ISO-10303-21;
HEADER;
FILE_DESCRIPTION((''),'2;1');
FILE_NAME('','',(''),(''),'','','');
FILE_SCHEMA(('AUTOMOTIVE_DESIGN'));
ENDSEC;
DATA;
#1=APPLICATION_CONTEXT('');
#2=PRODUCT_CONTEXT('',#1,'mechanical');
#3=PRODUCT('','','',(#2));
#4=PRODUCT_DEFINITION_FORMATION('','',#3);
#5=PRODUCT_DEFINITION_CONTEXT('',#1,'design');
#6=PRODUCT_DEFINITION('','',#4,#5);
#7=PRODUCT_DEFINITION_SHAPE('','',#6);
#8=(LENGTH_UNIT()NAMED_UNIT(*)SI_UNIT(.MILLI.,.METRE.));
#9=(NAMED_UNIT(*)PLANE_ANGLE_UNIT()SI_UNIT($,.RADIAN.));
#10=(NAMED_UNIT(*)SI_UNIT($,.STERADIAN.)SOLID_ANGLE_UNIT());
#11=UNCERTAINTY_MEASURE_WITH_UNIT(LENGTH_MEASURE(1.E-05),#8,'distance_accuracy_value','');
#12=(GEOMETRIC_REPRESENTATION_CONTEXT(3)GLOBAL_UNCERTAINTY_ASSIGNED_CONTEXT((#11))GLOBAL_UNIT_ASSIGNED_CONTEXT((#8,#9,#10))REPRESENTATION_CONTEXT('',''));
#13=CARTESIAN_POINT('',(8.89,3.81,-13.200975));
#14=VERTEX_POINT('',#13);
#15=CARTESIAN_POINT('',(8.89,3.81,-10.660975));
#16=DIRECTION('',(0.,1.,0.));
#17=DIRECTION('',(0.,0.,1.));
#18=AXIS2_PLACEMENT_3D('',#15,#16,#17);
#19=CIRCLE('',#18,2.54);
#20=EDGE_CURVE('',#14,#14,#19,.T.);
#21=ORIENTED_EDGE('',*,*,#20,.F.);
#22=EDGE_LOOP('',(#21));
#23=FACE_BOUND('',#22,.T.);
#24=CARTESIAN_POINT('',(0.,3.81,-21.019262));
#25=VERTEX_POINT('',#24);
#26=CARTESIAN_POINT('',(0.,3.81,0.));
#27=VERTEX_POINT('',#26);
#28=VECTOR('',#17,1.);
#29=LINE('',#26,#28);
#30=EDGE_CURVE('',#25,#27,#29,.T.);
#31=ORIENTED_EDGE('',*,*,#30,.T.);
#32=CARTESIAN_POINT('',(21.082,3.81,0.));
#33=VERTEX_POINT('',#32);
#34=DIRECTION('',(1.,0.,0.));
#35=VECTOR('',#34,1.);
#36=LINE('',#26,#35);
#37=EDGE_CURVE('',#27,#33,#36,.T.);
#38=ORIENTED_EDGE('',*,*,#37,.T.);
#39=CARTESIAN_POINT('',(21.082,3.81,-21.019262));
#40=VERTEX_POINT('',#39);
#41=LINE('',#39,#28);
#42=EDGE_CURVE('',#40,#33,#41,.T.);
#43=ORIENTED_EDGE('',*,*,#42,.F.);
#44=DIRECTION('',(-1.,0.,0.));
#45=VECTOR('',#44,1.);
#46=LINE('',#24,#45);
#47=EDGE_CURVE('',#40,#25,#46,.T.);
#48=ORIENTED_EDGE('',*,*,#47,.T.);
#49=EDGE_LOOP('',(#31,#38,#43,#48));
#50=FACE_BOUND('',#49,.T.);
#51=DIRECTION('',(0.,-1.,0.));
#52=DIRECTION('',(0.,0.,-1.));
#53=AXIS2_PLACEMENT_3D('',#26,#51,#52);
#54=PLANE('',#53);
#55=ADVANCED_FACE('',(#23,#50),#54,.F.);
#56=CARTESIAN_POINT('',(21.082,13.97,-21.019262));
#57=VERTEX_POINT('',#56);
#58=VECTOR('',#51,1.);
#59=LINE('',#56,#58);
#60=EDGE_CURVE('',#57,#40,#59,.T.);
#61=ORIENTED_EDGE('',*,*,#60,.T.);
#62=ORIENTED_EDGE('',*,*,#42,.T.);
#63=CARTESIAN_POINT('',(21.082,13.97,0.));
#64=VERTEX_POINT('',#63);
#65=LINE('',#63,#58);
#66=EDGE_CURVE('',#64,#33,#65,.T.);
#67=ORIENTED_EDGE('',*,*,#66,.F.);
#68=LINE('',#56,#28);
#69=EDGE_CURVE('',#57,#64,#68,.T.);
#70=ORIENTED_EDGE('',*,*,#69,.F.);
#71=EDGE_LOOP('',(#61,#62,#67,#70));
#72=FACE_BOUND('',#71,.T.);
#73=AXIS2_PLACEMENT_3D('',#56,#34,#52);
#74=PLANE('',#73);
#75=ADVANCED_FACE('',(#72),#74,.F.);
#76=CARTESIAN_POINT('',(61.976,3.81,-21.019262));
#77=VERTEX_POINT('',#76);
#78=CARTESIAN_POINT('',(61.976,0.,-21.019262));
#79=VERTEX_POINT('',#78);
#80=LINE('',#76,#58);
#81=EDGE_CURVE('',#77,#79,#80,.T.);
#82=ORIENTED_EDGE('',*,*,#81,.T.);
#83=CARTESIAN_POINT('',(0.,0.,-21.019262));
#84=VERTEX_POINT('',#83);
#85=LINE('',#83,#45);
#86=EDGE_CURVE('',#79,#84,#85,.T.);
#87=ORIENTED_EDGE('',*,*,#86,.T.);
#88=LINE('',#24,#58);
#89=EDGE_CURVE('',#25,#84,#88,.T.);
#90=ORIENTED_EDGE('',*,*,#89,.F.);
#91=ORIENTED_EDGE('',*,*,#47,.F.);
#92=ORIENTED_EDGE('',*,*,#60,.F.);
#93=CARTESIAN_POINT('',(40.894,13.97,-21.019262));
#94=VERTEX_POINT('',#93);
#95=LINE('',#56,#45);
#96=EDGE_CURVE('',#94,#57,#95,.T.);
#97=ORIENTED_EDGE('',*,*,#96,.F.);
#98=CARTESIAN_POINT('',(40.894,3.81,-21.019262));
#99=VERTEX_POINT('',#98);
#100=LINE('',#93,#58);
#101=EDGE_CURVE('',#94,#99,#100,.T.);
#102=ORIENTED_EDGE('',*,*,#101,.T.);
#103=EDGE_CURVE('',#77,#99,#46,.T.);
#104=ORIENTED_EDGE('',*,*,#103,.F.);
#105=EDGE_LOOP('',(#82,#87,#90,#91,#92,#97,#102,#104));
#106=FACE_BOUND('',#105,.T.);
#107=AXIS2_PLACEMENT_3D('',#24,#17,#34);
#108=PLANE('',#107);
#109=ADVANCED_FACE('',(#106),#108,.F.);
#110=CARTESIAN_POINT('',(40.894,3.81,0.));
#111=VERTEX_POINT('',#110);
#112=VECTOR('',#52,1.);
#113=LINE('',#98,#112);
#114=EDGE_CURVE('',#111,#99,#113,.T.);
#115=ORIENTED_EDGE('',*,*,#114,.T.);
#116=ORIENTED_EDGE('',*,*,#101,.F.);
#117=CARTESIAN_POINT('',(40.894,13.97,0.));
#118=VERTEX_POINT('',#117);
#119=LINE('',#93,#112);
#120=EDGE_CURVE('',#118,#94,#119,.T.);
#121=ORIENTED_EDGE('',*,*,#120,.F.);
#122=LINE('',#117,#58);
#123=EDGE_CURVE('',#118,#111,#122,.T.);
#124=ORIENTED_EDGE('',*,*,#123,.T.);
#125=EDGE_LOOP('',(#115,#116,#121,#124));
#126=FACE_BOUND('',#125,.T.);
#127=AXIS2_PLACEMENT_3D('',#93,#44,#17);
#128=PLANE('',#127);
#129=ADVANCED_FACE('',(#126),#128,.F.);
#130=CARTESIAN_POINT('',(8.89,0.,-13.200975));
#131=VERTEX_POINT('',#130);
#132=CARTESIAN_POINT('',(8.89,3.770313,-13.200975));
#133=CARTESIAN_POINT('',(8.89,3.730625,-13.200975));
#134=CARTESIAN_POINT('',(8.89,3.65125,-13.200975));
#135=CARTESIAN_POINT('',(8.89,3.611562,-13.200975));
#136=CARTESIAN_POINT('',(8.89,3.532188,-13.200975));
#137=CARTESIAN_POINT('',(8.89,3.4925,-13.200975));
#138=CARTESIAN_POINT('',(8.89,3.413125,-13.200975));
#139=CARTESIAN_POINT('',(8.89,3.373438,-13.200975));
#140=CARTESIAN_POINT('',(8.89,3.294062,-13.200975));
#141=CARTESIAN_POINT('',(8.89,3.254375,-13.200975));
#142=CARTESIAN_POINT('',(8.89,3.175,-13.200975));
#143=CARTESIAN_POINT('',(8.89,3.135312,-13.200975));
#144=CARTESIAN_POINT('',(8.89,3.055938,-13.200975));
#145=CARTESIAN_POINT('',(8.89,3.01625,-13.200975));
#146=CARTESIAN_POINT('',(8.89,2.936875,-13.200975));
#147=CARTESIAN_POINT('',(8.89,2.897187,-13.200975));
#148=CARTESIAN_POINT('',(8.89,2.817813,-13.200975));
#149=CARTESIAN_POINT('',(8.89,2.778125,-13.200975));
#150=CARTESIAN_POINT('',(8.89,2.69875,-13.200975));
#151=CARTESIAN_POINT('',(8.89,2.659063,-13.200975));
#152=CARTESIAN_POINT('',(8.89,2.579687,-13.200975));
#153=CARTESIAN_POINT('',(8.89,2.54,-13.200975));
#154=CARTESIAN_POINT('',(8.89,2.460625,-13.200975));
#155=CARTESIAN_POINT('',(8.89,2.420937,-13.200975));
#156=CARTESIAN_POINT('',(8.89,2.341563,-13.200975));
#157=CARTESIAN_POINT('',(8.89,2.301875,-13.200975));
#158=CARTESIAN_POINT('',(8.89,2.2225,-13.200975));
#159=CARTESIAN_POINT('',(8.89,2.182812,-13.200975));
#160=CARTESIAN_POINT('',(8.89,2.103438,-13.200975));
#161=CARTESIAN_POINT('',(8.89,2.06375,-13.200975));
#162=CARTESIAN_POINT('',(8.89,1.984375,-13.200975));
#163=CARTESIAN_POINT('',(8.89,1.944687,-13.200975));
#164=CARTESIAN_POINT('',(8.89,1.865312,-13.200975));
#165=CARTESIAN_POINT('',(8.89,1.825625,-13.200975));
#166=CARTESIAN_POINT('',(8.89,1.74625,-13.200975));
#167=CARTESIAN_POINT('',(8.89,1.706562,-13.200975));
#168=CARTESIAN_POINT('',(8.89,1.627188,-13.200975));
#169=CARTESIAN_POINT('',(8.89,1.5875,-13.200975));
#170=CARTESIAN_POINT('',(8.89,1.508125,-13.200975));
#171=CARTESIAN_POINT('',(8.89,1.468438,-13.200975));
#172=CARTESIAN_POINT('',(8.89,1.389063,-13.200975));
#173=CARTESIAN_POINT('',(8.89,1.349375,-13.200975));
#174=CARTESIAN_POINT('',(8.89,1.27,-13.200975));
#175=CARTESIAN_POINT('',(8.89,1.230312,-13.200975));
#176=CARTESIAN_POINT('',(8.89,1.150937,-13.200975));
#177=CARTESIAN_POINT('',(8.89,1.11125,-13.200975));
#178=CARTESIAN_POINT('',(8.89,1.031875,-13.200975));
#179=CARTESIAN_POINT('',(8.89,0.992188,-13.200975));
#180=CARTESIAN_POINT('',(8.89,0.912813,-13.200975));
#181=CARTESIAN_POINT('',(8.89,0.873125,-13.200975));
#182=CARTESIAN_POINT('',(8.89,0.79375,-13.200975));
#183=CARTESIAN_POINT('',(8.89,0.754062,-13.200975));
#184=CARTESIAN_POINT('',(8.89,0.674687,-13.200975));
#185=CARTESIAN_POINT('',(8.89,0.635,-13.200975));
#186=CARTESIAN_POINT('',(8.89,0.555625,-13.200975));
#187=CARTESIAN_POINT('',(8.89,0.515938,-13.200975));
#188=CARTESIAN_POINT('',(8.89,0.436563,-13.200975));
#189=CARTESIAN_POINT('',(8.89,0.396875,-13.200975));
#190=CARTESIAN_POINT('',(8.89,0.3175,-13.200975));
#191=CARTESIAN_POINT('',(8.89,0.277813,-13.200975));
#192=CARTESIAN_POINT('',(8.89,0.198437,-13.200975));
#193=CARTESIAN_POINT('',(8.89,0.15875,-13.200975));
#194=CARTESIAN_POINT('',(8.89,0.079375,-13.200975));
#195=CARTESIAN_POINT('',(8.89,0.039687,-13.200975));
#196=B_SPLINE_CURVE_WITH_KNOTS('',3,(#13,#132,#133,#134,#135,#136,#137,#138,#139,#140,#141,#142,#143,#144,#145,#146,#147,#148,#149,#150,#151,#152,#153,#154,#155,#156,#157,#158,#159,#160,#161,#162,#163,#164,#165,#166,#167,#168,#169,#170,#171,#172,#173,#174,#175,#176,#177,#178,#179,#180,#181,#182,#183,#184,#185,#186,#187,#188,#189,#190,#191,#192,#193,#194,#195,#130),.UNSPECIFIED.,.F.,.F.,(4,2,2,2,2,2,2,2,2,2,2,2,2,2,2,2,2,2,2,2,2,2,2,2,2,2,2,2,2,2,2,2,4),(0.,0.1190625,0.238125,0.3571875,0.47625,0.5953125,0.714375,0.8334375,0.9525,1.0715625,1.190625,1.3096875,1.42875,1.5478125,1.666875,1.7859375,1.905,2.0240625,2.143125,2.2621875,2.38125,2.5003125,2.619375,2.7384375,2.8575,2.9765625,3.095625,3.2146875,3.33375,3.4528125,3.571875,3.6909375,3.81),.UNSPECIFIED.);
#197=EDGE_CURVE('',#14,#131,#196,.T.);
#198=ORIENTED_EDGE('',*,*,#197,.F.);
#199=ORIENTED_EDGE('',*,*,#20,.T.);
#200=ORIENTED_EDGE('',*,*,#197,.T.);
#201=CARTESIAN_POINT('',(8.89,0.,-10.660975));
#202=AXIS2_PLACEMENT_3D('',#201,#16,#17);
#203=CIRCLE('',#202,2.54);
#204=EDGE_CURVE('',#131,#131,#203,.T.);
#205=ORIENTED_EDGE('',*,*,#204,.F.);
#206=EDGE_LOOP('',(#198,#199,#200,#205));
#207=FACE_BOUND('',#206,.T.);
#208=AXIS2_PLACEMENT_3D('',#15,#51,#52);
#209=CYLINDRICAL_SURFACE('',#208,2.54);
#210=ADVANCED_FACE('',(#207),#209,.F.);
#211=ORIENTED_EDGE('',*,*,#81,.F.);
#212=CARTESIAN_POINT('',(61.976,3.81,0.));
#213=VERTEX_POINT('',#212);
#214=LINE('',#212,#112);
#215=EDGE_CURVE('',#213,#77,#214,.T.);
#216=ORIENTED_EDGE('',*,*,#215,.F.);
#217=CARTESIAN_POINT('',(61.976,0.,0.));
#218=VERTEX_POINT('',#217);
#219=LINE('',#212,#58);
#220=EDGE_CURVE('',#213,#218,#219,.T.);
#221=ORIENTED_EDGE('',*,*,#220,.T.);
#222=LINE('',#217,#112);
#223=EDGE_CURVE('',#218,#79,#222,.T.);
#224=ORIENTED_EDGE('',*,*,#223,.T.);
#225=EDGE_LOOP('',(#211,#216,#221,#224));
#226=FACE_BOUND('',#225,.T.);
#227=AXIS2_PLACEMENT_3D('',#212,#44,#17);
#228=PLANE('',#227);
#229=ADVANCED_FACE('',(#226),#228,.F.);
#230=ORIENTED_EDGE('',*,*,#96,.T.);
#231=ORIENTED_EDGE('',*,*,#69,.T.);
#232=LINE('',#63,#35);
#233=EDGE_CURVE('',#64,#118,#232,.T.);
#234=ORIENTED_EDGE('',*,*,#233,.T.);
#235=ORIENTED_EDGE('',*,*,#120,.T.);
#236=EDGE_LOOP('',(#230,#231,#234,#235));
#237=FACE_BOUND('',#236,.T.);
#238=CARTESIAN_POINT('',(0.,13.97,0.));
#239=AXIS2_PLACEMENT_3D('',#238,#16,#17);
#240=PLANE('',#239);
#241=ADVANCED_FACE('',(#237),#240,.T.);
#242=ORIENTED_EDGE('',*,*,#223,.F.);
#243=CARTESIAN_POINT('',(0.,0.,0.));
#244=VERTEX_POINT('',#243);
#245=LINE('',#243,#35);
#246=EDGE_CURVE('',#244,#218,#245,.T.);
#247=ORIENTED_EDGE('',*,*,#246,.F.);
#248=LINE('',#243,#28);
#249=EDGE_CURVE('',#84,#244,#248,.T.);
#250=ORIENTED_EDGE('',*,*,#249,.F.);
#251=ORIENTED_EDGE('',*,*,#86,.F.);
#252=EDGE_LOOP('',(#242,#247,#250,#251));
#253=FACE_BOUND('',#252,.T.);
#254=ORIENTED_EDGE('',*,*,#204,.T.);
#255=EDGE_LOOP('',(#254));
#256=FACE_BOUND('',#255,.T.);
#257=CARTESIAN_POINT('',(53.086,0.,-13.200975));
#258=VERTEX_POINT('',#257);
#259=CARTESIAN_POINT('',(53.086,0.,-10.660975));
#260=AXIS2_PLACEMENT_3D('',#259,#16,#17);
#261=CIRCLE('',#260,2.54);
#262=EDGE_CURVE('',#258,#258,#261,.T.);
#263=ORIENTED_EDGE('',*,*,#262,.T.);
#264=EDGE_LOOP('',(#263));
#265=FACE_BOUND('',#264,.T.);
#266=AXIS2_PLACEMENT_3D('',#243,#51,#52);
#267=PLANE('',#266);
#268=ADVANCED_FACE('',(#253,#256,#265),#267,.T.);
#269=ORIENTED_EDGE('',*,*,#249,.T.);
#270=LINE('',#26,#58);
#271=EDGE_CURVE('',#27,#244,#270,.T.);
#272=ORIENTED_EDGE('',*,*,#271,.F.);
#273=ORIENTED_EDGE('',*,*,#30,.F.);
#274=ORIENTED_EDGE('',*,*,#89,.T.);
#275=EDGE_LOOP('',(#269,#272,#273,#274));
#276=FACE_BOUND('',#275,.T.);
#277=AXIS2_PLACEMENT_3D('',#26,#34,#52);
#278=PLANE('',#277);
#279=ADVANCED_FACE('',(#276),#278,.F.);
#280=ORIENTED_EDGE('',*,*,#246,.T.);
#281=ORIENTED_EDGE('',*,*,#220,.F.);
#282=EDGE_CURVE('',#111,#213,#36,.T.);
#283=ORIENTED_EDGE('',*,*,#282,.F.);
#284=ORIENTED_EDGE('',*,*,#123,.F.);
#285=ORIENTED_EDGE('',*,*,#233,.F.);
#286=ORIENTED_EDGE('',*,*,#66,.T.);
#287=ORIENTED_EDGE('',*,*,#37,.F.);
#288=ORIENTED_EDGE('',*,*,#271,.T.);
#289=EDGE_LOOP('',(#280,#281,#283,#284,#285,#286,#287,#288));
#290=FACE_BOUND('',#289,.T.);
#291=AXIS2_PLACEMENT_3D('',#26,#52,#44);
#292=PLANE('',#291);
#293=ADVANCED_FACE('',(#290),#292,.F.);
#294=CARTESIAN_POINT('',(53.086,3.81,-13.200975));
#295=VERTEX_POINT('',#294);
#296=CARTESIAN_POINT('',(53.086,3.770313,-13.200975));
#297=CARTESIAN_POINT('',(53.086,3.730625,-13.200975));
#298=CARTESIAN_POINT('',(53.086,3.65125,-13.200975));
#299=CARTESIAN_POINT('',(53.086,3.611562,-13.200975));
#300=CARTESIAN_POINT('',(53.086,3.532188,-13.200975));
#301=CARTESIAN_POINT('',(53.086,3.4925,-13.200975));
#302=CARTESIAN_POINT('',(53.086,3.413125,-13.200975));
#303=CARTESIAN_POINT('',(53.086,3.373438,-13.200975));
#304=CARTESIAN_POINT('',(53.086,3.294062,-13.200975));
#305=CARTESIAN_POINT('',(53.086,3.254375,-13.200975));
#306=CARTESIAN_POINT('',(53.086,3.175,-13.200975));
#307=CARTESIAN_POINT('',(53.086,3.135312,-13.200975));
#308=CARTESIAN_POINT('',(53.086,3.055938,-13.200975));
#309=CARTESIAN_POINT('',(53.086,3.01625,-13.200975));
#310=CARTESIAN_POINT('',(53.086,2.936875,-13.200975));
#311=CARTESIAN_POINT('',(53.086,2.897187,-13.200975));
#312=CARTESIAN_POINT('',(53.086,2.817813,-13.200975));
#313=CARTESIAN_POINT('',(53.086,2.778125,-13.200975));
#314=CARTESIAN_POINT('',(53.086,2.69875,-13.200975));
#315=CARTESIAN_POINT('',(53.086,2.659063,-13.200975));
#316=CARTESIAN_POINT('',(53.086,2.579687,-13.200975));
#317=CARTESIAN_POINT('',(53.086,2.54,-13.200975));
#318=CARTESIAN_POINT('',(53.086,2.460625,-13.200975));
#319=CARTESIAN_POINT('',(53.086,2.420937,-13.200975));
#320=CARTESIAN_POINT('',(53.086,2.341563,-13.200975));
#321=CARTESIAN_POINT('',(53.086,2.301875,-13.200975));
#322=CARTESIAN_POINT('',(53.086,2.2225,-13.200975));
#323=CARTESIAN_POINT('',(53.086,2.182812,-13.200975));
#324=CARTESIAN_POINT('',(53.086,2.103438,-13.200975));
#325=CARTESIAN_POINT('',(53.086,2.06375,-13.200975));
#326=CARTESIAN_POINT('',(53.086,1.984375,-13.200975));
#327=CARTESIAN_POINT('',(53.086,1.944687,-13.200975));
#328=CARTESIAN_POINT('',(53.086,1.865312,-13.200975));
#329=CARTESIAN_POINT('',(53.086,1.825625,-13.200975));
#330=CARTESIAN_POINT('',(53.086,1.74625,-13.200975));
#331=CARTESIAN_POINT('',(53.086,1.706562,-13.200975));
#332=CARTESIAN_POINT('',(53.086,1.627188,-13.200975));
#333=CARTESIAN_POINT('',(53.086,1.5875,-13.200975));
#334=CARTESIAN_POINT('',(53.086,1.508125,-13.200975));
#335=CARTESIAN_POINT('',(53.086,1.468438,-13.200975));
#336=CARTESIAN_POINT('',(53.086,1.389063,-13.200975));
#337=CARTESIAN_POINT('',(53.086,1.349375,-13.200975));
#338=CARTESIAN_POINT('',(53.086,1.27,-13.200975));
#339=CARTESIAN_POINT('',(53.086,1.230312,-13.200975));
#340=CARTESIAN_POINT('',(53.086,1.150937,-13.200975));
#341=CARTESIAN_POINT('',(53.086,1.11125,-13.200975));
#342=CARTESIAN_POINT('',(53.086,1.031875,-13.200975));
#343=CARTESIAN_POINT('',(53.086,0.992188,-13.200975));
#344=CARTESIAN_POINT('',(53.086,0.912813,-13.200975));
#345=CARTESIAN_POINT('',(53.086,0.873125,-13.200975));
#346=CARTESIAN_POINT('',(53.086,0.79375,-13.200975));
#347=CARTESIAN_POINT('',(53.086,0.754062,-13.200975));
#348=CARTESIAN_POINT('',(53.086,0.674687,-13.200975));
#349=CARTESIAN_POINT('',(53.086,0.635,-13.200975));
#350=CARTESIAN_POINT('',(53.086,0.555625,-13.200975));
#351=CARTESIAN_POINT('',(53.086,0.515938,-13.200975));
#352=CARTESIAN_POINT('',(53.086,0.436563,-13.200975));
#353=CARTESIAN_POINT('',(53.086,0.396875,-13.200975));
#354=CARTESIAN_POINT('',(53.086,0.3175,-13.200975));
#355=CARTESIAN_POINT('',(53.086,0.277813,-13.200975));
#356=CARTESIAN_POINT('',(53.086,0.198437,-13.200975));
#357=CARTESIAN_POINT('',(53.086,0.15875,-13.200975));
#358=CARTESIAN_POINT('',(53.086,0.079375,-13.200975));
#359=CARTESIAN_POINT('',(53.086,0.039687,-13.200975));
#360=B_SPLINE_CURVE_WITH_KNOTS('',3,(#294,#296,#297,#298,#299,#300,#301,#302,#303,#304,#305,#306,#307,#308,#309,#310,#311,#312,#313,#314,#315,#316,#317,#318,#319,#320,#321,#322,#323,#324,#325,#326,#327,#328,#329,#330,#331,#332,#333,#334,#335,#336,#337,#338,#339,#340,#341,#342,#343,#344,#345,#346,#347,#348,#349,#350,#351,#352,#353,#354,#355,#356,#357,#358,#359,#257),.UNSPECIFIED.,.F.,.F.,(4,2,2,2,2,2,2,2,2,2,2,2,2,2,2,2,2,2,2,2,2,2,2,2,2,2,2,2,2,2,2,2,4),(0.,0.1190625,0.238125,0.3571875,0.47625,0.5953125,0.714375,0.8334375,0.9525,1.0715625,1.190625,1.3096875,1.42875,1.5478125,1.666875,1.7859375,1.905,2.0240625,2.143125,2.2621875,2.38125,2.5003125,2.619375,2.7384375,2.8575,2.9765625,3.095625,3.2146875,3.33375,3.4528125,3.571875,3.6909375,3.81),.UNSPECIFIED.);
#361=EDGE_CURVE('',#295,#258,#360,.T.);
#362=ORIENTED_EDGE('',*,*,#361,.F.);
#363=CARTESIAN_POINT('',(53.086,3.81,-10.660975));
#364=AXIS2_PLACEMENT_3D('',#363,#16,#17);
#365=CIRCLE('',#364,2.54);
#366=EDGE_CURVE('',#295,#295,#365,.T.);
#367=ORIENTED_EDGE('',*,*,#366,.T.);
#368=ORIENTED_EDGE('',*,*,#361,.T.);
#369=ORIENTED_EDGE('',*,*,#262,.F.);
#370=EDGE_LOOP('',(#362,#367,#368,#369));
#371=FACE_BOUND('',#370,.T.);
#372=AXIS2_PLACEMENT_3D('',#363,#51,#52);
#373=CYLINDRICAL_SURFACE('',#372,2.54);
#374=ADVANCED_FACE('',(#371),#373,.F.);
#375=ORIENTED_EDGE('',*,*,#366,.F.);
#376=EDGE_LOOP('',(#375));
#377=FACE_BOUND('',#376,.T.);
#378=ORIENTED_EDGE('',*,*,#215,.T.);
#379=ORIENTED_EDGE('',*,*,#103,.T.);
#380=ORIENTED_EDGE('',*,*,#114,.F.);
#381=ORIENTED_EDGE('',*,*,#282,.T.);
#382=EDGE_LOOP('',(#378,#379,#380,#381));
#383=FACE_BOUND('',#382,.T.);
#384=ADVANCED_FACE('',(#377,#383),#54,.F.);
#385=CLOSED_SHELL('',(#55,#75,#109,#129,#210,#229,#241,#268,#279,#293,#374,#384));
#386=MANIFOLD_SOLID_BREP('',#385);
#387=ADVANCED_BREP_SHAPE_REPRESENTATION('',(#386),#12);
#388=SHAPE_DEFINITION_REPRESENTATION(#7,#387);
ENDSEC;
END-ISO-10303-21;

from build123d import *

# Parameters (mm, degrees)
SKETCH1_W           = 61.976
SKETCH1_H           = 21.019262
SKETCH1_R           = 2.54
BOSS_EXTRUDE1_DEPTH = 3.81
SKETCH2_W           = 19.812
SKETCH2_H           = 21.019262
BOSS_EXTRUDE2_DEPTH = 10.16


with BuildPart() as part:
    # Sketch1 → Boss-Extrude1 (new body)
    with BuildSketch(Plane(origin=(0, 0, 0), x_dir=(1, 0, 0), z_dir=(0, 1, 0))):
        with Locations((30.988, 10.509631)):
            Rectangle(SKETCH1_W, SKETCH1_H)
        with Locations(Location((8.89, 10.660974632, 0), (0, 0, 90))):
            Circle(SKETCH1_R, mode=Mode.SUBTRACT)
        with Locations(Location((53.086, 10.660974632, 0), (0, 0, 90))):
            Circle(SKETCH1_R, mode=Mode.SUBTRACT)
    extrude(amount=BOSS_EXTRUDE1_DEPTH)

    # Sketch2 → Boss-Extrude2 (add)
    with BuildSketch(Plane(origin=(0, 3.81, 0), x_dir=(1, 0, 0), z_dir=(0, 1, 0))):
        with Locations((30.988, 10.509631)):
            Rectangle(SKETCH2_W, SKETCH2_H)
    extrude(amount=BOSS_EXTRUDE2_DEPTH)


solid = part.part
